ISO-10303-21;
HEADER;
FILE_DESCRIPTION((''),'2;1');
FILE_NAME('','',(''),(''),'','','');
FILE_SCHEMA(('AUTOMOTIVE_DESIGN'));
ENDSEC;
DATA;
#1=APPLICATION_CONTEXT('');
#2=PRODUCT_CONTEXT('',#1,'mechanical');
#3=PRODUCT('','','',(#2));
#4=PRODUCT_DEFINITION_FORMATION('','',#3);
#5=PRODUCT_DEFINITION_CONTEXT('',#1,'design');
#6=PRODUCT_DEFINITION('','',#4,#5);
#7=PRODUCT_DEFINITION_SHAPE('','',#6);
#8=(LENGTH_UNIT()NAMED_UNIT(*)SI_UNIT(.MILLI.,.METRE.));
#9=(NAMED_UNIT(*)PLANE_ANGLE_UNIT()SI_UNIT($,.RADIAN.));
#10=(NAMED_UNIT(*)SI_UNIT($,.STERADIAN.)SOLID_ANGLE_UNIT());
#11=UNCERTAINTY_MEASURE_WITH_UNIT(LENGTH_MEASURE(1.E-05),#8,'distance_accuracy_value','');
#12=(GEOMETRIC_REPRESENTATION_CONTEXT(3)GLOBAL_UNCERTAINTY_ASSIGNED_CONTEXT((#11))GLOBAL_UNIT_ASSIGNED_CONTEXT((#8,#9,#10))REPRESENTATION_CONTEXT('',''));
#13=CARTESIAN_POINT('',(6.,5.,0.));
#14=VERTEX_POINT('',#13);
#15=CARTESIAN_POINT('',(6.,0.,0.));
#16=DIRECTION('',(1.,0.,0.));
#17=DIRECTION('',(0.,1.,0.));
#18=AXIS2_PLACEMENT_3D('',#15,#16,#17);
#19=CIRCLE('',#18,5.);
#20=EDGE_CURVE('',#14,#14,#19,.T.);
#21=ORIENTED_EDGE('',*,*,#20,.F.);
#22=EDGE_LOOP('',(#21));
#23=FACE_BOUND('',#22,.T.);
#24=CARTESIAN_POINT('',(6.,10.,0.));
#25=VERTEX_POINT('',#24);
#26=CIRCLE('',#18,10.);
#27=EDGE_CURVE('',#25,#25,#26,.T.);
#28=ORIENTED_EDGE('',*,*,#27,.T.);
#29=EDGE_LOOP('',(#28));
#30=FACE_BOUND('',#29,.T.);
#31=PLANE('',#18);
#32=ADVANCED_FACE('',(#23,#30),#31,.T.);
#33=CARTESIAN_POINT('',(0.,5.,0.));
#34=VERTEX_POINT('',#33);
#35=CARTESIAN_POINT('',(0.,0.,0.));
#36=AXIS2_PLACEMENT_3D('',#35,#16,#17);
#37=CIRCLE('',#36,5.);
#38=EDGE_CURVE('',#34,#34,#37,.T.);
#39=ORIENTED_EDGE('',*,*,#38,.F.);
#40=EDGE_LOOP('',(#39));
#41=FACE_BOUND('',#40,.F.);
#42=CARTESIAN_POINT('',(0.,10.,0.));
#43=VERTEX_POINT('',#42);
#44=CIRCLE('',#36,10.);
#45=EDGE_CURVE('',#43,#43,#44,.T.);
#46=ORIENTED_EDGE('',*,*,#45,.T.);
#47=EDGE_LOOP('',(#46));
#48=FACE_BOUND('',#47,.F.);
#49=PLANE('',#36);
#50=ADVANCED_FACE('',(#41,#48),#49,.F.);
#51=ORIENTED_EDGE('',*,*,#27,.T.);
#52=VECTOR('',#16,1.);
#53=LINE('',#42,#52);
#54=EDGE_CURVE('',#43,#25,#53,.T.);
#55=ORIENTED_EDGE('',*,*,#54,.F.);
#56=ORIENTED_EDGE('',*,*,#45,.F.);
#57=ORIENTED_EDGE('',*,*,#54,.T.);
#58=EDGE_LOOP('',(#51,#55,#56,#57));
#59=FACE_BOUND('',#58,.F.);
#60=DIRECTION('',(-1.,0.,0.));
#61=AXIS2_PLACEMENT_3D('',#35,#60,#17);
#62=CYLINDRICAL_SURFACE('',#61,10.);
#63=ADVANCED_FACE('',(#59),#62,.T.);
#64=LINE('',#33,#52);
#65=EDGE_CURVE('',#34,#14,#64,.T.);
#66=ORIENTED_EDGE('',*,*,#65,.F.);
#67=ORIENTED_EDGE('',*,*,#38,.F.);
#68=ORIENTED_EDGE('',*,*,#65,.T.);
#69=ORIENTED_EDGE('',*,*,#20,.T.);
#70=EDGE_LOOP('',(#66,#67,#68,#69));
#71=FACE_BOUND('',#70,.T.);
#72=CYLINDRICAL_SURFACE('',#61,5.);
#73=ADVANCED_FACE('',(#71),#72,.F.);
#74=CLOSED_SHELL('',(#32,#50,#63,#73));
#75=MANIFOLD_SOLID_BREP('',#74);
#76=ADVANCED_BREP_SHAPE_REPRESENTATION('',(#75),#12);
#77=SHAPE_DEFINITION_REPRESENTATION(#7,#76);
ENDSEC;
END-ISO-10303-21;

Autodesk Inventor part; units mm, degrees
ref_plane "YZ Plane" through (0, 0, 0) normal (1, 0, 0) x (0, 1, 0)
ref_plane "XZ Plane" through (0, 0, 0) normal (0, 1, 0) x (-1, 0, 0)
ref_plane "XY Plane" through (0, 0, 0) normal (0, 0, 1) x (1, 0, 0)
sketch "Sketch1" plane through (0, 0, 0) normal (1, 0, 0) x (0, 1, 0)
  circle A0 centre (0, 0) radius 5
  circle A1 centre (0, 0) radius 10
  dimension "d0" = 10
  dimension "d1" = 20
extrude "Extrusion1" add sketch "Sketch1" along normal blind 6
properties part number "Temp - Coils" material "Copper"
